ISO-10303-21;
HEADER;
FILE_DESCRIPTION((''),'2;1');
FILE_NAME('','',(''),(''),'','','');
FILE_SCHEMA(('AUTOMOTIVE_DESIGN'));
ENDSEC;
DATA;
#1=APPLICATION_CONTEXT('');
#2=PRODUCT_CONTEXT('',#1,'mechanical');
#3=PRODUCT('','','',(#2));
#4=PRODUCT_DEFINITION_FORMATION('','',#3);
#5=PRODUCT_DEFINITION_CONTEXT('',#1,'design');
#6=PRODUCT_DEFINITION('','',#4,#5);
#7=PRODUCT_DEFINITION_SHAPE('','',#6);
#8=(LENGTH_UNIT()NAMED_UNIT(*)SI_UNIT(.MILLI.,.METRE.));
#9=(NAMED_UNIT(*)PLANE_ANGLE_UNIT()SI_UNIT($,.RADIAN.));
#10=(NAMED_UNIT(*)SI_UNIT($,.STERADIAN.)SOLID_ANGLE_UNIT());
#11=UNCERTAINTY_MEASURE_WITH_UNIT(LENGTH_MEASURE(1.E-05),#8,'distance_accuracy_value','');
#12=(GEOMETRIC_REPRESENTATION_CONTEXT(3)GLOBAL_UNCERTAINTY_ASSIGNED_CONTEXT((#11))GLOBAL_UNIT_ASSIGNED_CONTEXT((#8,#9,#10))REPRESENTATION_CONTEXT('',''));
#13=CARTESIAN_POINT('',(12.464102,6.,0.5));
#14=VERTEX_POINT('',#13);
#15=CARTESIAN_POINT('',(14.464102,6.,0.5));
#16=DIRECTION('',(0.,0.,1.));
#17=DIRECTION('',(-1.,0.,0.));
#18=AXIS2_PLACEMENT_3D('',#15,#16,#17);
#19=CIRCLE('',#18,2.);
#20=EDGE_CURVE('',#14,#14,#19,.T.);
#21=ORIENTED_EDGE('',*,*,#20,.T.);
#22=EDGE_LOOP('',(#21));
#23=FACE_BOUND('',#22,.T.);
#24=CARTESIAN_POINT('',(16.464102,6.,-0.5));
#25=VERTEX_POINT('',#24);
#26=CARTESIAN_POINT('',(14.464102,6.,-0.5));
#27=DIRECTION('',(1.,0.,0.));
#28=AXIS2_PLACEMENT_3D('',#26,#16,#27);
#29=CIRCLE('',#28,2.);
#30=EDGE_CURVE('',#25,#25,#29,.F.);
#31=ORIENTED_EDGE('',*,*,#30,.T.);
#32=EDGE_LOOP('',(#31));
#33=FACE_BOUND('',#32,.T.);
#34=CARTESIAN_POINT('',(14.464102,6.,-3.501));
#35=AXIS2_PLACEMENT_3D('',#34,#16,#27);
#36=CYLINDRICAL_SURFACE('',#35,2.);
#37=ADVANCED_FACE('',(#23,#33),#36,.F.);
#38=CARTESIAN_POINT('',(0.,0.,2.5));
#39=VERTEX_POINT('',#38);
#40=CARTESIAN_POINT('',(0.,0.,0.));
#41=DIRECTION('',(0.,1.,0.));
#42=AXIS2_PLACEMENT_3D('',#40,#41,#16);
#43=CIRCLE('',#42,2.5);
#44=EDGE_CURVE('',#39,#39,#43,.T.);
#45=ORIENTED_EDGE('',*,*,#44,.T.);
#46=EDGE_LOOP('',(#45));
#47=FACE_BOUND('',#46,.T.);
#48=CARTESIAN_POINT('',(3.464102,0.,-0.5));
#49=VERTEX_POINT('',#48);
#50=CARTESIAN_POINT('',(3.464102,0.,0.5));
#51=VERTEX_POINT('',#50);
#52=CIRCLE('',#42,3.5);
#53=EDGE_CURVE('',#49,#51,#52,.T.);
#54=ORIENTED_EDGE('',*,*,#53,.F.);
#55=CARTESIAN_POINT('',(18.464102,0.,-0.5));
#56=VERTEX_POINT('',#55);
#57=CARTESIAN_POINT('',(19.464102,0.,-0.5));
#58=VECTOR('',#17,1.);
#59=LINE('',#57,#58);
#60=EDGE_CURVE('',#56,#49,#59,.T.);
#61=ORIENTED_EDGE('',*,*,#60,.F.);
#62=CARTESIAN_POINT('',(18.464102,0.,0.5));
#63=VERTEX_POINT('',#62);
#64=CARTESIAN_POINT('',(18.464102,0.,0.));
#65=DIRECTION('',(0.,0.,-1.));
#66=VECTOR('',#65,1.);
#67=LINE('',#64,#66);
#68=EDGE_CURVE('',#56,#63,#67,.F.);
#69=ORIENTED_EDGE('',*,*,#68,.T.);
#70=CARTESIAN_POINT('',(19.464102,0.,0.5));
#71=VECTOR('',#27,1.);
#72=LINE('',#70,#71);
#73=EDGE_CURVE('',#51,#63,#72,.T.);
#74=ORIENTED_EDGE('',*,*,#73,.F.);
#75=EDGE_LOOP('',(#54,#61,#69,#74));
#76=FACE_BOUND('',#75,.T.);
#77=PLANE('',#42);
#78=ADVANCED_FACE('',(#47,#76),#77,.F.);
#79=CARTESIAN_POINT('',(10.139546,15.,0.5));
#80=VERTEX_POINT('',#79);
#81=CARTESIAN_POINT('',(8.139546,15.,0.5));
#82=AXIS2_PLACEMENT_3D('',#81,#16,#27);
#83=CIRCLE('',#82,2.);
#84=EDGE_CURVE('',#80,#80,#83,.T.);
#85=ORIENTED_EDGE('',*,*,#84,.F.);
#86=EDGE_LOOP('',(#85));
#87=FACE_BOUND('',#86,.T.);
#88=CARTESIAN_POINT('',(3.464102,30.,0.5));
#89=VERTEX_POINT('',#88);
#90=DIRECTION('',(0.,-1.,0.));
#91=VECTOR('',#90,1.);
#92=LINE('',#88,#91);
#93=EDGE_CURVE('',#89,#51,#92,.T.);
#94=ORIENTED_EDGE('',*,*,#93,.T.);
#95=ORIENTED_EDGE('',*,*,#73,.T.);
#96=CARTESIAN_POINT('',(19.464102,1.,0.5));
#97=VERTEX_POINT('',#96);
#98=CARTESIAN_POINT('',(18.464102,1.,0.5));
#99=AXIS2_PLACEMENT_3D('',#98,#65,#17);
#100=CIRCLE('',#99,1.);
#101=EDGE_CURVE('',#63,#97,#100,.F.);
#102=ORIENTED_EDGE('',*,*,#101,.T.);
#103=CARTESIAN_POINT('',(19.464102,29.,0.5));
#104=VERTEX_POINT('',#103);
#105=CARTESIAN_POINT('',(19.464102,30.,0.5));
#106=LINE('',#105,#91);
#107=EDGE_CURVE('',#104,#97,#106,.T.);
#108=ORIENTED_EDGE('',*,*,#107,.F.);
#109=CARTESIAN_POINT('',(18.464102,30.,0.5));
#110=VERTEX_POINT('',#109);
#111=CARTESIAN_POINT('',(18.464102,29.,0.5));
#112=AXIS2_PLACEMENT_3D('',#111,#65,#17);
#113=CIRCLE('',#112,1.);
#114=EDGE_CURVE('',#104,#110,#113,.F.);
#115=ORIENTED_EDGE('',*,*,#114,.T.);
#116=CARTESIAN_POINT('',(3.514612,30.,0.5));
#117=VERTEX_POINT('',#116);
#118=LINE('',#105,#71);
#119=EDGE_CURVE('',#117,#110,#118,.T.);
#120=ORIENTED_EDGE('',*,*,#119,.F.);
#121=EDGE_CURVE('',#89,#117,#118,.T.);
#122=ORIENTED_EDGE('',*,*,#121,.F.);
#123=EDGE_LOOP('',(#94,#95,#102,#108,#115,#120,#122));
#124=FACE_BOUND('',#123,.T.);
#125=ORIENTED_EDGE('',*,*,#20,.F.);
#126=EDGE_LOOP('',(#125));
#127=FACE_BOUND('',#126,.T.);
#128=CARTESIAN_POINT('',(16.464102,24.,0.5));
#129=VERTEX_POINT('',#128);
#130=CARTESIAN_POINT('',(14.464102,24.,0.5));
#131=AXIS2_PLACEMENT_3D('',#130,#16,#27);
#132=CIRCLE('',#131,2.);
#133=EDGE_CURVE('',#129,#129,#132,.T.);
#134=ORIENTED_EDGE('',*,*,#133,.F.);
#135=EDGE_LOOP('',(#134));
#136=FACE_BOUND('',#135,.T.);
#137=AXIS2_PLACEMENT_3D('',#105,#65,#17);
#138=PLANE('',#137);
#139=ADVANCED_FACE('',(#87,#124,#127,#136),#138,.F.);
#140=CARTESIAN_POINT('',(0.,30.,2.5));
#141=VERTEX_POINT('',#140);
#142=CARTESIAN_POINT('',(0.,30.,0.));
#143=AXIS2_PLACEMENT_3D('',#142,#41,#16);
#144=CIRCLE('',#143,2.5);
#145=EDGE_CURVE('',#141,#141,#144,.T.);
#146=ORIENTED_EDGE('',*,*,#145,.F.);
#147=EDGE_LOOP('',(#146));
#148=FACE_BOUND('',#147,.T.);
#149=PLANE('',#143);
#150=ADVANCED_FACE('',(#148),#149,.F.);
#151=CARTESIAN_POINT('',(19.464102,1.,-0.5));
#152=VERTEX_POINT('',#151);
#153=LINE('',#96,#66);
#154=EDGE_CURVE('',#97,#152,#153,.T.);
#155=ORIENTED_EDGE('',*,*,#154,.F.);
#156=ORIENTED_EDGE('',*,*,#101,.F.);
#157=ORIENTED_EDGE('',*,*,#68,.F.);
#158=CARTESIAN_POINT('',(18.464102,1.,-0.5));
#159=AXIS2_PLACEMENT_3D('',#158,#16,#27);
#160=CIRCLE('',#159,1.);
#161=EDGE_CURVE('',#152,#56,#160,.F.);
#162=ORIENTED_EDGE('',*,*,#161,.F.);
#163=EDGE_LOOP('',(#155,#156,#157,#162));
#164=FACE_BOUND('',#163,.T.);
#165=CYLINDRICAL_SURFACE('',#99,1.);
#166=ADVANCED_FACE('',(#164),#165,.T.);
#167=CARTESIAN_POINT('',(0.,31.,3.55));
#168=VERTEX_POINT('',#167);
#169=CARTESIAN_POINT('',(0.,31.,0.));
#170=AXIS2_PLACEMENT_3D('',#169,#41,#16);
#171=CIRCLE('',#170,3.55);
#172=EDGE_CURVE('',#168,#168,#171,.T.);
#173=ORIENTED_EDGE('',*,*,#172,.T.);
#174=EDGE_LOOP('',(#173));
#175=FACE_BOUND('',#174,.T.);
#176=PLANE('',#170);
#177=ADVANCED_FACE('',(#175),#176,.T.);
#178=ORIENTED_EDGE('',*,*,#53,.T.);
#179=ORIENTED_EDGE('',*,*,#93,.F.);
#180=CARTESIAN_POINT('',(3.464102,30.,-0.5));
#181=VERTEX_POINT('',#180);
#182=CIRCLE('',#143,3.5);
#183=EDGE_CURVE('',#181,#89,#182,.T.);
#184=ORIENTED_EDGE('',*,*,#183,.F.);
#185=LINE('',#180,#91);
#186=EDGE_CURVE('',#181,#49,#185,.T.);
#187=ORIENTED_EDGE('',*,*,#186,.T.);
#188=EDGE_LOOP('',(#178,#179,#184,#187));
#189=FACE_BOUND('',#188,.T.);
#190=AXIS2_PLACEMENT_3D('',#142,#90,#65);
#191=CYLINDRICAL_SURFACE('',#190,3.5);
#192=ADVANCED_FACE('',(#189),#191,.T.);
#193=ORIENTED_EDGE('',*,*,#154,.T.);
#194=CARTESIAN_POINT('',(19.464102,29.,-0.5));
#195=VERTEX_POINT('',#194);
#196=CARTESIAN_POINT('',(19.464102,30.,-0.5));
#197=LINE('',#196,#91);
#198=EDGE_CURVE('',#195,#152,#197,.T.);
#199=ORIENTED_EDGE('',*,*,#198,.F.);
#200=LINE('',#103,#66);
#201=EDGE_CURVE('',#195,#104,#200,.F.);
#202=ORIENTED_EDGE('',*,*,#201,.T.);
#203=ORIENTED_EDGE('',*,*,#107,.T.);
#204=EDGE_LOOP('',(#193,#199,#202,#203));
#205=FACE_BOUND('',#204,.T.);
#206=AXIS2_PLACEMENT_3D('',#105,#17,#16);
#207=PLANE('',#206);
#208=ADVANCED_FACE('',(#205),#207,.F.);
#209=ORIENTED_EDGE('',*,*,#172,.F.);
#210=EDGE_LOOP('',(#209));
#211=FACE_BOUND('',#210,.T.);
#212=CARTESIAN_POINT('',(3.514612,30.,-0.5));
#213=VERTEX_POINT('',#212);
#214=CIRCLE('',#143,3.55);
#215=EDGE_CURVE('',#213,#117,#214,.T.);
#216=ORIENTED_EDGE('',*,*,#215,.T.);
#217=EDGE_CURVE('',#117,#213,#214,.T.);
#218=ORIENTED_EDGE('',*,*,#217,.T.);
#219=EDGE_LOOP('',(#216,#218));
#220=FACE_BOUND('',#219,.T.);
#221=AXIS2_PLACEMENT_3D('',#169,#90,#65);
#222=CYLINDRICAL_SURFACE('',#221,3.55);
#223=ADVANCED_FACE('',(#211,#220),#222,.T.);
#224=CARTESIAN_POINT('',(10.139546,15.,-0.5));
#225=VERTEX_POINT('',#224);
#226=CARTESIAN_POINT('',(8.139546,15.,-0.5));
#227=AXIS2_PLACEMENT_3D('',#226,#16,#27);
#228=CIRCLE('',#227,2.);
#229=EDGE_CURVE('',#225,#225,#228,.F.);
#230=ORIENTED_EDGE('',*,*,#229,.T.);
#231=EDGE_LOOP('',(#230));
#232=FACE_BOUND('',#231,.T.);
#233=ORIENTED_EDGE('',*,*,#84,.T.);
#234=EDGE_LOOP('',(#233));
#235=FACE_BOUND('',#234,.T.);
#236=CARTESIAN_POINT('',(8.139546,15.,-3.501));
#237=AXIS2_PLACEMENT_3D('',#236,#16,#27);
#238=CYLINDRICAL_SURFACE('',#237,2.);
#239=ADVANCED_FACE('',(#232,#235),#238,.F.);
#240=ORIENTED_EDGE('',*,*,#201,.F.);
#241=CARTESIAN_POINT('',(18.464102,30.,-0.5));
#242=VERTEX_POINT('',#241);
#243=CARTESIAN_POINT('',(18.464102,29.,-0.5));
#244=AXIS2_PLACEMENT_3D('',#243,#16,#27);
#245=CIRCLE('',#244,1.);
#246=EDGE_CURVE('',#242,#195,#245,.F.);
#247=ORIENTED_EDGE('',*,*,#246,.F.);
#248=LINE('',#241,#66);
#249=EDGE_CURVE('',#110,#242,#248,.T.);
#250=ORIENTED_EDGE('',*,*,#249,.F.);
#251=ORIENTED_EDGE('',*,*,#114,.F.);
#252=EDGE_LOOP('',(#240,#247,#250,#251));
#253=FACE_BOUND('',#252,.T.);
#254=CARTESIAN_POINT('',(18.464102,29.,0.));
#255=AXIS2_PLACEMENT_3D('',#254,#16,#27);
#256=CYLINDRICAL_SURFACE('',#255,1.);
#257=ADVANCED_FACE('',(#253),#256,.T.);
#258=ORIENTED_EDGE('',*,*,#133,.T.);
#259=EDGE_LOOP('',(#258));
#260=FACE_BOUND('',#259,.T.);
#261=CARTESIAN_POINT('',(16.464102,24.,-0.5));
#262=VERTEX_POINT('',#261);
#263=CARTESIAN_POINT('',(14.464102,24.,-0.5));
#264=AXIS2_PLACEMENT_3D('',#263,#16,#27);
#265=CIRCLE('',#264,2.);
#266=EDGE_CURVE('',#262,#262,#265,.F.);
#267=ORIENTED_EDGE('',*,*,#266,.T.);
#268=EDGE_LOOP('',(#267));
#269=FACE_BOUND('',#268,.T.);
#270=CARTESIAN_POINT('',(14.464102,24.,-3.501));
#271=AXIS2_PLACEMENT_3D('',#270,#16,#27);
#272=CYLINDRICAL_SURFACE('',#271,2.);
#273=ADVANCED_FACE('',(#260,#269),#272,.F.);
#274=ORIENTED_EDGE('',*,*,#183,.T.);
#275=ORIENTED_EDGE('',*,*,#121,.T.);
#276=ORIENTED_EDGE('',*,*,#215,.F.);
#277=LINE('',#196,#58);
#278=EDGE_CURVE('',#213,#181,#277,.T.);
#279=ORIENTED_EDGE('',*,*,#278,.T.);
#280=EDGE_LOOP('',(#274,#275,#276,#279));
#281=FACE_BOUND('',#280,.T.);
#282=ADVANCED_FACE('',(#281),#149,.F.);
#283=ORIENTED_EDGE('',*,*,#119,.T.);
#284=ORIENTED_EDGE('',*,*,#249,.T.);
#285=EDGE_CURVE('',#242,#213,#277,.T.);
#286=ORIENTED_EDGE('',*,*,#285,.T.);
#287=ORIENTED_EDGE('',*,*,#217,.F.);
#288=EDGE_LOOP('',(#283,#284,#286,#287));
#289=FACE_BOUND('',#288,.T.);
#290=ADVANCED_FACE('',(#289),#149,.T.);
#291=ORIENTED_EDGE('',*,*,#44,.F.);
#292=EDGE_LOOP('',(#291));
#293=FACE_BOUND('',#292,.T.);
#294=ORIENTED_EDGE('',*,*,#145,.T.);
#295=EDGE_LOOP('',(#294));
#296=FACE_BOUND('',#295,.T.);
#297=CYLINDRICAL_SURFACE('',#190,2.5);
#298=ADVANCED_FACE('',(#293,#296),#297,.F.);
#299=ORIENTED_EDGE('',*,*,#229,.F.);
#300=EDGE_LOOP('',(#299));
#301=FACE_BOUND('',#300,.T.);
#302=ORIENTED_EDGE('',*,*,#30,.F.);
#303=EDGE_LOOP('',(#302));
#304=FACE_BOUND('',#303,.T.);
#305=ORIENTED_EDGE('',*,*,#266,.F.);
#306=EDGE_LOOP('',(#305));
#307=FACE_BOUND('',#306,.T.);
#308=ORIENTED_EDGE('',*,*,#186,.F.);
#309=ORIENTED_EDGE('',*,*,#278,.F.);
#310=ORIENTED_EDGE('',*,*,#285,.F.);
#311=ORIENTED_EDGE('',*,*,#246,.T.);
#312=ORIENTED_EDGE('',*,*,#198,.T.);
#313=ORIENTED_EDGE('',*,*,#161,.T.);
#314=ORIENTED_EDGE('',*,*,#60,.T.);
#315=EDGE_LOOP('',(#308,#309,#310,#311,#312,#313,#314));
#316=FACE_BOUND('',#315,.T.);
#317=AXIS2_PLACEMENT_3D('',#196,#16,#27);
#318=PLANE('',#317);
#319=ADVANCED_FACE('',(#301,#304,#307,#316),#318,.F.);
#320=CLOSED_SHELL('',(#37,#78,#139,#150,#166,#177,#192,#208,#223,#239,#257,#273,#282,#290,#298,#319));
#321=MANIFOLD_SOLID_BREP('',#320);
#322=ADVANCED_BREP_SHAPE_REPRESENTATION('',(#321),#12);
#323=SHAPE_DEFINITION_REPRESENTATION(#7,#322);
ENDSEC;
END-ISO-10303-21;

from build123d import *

# Parameters (mm, degrees)
SKETCH_1_R          = 2.5
EXTRUDE_1_DEPTH     = 30
CUT_EXTRUDE_1_REACH = 37.984
SKETCH_2_R          = 2
FILLET_1_R          = 1
SKETCH_3_R          = 3.55
EXTRUDE_2_DEPTH     = 1


with BuildPart() as part:
    # 草图1 → 凸台-拉伸1 (new body)
    with BuildSketch(Plane(origin=(0, 0, 0), x_dir=(1, 0, 0), z_dir=(0, 1, 0))):
        with BuildLine():
            Line((19.464101615, -0.5), (3.464101615, -0.5))
            ThreePointArc((3.464101615, -0.5), (-3.5, 0), (3.464101615, 0.5))
            Line((3.464101615, 0.5), (19.464101615, 0.5))
            Line((19.464101615, 0.5), (19.464101615, -0.5))
        make_face()
        with Locations(Location((0, 0, 0), (0, 0, 270))):
            Circle(SKETCH_1_R, mode=Mode.SUBTRACT)
    extrude(amount=EXTRUDE_1_DEPTH)

    # 草图2 → 切除-拉伸1 (cut, up to next)
    with BuildSketch(Plane.XY.offset(0.5), mode=Mode.PRIVATE) as cut_extrude_1_sk1:
        with Locations((14.464101615, 24)):
            Circle(SKETCH_2_R)
    cut_extrude_1_tool1 = extrude(cut_extrude_1_sk1.sketch, amount=-CUT_EXTRUDE_1_REACH, mode=Mode.PRIVATE) & part.part
    # 草图2 → 切除-拉伸1 (cut, up to next)
    with BuildSketch(Plane.XY.offset(0.5), mode=Mode.PRIVATE) as cut_extrude_1_sk2:
        with Locations((8.139546295, 15)):
            Circle(SKETCH_2_R)
    cut_extrude_1_tool2 = extrude(cut_extrude_1_sk2.sketch, amount=-CUT_EXTRUDE_1_REACH, mode=Mode.PRIVATE) & part.part
    # 草图2 → 切除-拉伸1 (cut, up to next)
    with BuildSketch(Plane.XY.offset(0.5), mode=Mode.PRIVATE) as cut_extrude_1_sk3:
        with Locations((14.464101615, 6)):
            Circle(SKETCH_2_R)
    cut_extrude_1_tool3 = extrude(cut_extrude_1_sk3.sketch, amount=-CUT_EXTRUDE_1_REACH, mode=Mode.PRIVATE) & part.part
    add(cut_extrude_1_tool1.solids().sort_by_distance((14.464102, 24, 0.5))[0], mode=Mode.SUBTRACT)
    add(cut_extrude_1_tool2.solids().sort_by_distance((8.139546, 15, 0.5))[0], mode=Mode.SUBTRACT)
    add(cut_extrude_1_tool3.solids().sort_by_distance((14.464102, 6, 0.5))[0], mode=Mode.SUBTRACT)

    # 圆角1
    fillet_1_edges = [part.edges().sort_by_distance(p)[0] for p in [
        (19.464101615, 30, 0),
        (19.464101615, 0, 0),
    ]]
    fillet(fillet_1_edges, radius=FILLET_1_R)

    # 草图3 → 凸台-拉伸2 (add)
    with BuildSketch(Plane(origin=(0, 30, 0), x_dir=(1, 0, 0), z_dir=(0, 1, 0))):
        with Locations(Location((0, 0, 0), (0, 0, 8.09674977))):
            Circle(SKETCH_3_R)
    extrude(amount=EXTRUDE_2_DEPTH)


solid = part.part
